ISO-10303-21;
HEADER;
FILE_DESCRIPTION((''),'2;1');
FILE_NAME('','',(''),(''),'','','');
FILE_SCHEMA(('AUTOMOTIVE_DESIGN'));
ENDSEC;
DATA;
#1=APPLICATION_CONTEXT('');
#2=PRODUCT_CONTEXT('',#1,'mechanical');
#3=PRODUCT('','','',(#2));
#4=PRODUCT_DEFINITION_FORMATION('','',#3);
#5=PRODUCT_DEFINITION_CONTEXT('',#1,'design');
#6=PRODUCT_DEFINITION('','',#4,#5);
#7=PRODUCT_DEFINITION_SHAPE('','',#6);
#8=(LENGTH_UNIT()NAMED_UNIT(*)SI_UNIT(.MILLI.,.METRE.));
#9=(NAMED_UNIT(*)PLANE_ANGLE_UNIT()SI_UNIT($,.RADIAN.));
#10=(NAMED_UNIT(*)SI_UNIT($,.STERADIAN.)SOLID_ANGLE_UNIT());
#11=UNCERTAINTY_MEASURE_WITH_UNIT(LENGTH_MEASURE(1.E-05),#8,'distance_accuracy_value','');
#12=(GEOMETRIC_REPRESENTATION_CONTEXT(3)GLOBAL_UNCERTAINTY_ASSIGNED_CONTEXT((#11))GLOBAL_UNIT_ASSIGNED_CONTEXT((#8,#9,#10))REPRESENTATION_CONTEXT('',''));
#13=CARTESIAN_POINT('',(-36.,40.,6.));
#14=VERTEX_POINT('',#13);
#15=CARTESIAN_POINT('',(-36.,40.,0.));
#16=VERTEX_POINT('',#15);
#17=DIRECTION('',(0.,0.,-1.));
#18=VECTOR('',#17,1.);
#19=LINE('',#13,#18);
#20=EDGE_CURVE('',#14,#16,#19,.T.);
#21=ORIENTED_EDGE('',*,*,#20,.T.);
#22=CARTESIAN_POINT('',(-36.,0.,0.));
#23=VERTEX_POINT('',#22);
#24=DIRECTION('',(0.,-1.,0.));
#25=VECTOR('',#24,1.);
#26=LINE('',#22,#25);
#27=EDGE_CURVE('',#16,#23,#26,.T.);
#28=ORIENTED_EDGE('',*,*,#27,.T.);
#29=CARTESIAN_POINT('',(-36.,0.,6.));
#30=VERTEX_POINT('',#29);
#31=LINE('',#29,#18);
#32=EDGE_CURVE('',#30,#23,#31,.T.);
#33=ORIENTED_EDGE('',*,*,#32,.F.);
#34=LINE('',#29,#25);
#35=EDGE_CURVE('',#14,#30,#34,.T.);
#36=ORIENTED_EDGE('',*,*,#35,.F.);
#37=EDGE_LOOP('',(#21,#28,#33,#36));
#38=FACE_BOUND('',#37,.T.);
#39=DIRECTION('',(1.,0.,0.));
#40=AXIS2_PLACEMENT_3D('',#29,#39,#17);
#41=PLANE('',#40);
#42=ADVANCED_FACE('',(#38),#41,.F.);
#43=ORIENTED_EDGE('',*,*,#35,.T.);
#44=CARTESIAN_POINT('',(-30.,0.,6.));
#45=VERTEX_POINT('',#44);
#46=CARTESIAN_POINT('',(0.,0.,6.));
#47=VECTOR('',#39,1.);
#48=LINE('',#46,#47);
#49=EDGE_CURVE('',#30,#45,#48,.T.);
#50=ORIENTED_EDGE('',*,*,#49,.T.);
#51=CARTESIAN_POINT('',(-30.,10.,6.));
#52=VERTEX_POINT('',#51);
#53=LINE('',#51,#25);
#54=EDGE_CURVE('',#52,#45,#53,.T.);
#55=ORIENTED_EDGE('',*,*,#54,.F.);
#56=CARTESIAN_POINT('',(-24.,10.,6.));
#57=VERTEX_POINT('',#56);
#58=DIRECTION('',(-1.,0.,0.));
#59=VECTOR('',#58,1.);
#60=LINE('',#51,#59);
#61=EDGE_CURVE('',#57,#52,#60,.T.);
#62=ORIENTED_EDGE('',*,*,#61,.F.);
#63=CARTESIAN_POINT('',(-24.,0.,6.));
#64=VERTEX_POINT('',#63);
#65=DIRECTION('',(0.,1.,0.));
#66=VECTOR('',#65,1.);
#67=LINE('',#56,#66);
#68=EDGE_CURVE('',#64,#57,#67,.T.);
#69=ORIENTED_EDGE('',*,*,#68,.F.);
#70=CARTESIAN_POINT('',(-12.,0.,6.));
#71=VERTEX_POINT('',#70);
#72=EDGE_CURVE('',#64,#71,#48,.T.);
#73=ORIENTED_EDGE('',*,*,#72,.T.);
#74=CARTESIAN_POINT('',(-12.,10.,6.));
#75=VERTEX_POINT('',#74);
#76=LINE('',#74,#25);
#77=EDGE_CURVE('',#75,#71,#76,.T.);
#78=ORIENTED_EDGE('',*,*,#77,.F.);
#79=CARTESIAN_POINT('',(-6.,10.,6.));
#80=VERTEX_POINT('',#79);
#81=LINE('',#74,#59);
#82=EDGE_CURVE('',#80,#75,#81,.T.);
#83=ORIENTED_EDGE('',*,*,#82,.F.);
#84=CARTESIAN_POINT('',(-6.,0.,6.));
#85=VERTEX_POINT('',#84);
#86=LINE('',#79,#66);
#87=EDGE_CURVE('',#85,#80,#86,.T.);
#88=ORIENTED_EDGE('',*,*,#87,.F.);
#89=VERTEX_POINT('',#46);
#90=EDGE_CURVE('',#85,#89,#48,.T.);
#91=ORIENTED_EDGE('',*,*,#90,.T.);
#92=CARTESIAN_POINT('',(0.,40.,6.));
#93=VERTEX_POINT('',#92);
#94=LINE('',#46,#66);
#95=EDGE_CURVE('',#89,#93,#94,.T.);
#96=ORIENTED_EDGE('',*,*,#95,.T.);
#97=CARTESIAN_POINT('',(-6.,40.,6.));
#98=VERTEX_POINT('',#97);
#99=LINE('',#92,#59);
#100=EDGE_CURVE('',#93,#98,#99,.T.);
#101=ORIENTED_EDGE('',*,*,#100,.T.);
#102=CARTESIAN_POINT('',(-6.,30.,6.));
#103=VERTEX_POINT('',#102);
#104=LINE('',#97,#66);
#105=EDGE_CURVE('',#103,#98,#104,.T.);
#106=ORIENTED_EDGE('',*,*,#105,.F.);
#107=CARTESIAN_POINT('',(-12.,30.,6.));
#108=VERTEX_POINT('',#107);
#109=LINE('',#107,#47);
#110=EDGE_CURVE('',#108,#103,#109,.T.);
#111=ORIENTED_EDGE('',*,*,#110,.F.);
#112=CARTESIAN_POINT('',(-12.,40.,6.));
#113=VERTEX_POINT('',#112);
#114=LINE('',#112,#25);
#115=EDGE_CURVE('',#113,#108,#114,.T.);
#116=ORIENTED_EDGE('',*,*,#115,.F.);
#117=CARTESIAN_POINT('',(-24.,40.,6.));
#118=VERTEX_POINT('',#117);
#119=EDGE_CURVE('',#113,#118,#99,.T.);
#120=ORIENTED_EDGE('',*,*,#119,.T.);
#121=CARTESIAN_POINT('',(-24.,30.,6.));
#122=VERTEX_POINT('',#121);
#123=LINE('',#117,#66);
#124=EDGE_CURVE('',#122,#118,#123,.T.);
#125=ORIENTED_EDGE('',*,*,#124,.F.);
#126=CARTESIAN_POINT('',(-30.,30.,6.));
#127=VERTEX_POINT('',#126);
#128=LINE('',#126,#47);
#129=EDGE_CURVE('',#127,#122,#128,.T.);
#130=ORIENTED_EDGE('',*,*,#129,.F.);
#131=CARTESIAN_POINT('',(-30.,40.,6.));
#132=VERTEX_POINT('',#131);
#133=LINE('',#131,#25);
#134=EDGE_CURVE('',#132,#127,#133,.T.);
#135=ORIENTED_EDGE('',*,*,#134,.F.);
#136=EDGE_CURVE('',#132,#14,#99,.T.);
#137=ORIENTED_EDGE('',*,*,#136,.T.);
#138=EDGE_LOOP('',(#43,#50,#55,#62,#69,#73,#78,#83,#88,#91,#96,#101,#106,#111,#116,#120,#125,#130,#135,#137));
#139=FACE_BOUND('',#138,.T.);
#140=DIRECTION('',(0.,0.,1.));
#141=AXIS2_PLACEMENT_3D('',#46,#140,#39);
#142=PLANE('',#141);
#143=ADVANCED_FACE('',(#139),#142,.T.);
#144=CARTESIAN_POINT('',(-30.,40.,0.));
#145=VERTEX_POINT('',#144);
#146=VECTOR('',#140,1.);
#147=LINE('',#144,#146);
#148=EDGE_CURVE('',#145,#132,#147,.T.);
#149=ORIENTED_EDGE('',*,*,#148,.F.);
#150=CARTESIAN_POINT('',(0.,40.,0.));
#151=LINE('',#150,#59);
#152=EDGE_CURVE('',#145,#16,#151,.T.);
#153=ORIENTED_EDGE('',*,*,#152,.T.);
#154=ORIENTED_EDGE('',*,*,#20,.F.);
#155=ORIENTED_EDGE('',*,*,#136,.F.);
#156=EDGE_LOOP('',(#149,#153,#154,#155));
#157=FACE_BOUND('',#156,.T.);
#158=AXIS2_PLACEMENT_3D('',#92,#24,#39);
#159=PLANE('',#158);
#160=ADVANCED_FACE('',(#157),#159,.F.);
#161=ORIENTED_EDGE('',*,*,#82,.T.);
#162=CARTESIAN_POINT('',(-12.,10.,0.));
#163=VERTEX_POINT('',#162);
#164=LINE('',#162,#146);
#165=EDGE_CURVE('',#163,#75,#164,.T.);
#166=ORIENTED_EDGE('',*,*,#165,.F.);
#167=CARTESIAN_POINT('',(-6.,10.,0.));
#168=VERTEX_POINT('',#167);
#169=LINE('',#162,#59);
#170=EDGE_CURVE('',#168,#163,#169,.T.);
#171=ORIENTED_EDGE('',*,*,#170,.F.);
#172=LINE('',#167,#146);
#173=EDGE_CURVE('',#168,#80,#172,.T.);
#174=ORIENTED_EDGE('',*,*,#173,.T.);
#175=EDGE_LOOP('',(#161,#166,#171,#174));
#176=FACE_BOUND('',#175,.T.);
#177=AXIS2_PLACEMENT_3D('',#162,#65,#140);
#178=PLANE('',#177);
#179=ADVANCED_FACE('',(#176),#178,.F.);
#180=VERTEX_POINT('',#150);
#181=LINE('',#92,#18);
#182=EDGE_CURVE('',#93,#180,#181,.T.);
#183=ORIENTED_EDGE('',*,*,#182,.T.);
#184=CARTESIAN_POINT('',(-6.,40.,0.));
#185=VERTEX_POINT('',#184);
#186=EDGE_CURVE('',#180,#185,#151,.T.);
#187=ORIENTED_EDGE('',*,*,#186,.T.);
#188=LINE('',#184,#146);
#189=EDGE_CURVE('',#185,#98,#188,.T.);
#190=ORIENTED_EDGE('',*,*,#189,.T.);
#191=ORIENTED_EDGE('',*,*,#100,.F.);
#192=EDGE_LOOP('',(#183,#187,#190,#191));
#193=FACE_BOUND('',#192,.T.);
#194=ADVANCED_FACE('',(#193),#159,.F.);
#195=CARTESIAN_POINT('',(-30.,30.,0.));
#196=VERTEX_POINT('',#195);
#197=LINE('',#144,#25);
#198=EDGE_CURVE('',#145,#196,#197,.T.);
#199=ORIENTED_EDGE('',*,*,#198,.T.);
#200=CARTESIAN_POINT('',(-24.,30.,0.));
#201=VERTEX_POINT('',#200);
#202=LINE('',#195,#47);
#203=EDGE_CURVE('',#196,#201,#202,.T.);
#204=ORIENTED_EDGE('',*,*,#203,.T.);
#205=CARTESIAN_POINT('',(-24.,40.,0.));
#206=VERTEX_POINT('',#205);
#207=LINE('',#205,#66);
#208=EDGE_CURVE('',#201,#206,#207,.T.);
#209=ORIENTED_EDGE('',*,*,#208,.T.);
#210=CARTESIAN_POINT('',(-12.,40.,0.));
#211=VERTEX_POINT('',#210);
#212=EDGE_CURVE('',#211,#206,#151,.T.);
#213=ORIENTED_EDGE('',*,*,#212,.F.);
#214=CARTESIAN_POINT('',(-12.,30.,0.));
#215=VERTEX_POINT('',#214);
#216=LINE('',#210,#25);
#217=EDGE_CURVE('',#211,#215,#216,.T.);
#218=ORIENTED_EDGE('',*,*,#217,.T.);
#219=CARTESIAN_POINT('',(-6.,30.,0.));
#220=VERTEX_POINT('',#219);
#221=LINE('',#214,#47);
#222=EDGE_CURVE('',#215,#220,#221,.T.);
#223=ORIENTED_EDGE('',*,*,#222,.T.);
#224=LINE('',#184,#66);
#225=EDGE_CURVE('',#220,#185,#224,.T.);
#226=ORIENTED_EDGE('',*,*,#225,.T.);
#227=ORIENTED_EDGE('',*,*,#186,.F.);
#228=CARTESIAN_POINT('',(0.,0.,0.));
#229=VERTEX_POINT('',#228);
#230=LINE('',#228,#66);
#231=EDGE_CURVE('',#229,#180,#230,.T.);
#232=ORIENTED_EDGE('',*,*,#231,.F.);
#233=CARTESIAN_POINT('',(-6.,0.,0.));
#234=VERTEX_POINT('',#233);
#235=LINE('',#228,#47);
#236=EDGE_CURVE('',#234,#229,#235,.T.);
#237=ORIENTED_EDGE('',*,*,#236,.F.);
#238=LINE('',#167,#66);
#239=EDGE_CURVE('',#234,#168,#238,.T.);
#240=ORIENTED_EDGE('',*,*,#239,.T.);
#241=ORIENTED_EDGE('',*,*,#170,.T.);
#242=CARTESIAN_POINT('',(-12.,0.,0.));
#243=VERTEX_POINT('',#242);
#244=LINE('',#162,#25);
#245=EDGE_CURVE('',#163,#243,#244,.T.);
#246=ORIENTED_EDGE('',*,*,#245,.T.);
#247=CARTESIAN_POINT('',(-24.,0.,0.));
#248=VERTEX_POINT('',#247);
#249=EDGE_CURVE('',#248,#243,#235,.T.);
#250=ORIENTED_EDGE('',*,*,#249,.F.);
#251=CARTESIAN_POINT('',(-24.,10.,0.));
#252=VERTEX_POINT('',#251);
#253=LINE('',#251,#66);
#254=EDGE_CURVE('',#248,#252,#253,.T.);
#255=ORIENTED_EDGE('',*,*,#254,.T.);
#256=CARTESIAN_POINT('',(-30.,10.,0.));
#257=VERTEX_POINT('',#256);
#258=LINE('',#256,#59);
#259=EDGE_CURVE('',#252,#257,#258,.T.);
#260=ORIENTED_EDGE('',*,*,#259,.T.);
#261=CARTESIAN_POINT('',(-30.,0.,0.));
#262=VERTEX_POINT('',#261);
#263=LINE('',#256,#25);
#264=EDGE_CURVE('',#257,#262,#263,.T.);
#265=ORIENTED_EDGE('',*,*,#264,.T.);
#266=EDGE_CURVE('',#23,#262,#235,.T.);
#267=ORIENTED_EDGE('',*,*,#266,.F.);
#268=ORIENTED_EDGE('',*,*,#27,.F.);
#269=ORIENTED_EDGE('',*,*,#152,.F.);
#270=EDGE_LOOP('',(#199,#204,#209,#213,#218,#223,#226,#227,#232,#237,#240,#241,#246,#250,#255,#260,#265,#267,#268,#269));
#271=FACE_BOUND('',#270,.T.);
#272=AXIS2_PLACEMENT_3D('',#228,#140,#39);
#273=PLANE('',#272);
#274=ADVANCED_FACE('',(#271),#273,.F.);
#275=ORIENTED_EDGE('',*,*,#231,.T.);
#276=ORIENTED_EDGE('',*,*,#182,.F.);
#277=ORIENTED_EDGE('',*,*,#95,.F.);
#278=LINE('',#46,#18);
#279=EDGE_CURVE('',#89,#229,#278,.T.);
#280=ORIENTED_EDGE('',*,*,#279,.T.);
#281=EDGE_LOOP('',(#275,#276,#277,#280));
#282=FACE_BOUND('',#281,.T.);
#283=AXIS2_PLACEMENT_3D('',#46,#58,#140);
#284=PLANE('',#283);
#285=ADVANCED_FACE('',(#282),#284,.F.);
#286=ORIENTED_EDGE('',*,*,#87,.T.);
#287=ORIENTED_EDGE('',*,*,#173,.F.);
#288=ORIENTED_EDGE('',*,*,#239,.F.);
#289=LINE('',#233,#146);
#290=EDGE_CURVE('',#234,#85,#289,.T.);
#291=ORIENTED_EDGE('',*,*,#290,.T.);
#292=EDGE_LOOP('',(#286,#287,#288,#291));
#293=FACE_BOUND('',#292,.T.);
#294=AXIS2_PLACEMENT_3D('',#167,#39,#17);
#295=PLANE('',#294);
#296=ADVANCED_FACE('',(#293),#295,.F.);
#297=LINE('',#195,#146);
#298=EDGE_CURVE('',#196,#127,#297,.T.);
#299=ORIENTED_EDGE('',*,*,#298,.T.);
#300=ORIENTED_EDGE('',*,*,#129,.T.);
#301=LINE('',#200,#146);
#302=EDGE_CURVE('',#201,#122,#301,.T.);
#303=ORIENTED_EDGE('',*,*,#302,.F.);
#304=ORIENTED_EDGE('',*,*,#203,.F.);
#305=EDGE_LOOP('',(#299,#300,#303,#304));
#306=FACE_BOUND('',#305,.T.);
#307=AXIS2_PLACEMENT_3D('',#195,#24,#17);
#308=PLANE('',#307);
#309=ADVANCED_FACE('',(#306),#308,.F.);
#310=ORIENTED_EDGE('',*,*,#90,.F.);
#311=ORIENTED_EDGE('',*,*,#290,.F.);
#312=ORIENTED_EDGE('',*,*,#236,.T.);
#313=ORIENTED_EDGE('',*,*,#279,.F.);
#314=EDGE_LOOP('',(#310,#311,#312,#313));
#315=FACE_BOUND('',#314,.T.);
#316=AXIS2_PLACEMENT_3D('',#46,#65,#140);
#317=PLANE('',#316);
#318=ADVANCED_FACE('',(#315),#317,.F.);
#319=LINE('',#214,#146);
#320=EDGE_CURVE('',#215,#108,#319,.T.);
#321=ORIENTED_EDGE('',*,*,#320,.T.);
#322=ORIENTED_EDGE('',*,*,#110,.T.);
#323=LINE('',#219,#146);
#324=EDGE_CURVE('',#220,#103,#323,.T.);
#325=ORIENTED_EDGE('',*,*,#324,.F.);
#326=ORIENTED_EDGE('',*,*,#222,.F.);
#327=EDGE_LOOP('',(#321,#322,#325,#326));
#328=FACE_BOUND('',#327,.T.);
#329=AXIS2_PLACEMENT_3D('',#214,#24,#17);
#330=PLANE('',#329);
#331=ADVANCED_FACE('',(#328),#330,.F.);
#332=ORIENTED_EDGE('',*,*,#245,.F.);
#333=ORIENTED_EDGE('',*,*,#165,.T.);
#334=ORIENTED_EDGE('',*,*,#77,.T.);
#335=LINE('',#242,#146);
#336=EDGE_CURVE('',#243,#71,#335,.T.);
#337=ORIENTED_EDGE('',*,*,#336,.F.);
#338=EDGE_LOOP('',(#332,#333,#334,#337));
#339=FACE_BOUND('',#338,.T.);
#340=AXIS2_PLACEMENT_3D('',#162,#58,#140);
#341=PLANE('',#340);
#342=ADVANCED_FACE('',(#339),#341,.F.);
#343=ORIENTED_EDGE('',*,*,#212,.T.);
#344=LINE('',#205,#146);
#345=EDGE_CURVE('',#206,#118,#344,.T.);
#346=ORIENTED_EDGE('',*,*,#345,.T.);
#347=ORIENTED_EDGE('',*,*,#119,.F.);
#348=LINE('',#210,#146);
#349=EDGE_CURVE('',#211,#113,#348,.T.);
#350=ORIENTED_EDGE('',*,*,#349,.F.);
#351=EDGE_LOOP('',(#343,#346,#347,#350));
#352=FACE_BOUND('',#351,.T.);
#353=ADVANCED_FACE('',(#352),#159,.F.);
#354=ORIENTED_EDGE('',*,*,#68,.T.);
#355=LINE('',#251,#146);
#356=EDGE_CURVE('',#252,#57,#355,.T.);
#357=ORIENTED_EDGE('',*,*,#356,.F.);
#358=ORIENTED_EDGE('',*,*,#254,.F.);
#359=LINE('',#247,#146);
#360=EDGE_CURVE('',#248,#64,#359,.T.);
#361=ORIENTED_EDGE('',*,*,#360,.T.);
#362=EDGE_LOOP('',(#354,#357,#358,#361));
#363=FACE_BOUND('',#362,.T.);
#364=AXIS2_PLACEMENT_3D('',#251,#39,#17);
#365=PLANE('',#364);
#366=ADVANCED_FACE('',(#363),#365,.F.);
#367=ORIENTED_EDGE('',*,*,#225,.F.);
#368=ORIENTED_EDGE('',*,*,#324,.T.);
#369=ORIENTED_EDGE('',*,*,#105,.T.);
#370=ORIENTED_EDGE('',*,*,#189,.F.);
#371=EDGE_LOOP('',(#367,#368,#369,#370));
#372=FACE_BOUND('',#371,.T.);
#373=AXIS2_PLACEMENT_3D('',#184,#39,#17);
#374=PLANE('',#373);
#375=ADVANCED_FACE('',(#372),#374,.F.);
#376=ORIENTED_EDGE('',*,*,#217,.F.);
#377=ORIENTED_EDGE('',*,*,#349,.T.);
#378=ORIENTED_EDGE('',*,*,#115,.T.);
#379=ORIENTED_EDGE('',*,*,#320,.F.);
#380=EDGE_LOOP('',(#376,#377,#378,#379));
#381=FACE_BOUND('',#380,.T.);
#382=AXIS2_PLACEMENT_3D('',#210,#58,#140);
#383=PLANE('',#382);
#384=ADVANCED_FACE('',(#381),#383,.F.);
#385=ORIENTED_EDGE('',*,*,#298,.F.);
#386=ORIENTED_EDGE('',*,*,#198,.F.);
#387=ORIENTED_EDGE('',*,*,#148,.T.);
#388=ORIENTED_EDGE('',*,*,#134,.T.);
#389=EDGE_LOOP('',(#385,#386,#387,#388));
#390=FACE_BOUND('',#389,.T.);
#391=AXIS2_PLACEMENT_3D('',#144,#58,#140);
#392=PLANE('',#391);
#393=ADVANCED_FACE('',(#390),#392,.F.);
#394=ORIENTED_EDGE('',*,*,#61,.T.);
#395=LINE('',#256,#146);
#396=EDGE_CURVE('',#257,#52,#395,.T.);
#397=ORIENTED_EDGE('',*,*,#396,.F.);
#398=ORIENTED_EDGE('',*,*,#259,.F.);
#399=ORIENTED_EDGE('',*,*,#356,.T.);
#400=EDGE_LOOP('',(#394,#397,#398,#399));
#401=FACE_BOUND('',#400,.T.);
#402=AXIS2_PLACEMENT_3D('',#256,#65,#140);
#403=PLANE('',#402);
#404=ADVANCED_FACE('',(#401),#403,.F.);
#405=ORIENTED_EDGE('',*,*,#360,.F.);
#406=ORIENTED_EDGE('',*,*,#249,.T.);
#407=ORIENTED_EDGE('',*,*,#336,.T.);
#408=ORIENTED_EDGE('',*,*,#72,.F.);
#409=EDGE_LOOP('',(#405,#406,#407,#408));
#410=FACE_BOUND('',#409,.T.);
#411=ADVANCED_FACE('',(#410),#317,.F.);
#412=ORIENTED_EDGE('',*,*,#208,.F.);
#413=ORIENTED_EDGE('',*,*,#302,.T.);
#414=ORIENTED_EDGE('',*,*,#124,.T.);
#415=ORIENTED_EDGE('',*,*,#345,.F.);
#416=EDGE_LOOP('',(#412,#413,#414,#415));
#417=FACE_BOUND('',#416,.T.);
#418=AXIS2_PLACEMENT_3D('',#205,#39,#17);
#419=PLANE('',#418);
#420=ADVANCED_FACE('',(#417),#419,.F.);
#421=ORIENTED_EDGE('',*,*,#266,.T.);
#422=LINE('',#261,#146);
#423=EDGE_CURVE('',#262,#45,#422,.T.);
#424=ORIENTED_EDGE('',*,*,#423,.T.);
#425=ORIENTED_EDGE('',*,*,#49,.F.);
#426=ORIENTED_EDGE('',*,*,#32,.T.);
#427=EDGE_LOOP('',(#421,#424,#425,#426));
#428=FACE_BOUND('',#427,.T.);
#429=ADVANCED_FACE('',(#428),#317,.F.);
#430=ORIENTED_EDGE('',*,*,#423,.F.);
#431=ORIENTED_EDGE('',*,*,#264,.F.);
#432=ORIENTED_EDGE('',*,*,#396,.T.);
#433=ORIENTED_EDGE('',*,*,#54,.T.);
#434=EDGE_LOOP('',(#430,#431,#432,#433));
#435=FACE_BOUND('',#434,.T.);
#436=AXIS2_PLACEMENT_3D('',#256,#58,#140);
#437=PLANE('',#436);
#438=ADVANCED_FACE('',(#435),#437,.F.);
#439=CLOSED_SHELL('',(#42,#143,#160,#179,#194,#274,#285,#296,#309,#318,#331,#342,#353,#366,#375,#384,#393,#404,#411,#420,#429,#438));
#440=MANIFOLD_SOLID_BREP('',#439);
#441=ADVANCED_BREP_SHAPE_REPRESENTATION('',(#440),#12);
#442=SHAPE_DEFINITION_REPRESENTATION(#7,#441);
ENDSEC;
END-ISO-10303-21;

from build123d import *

# Parameters (mm, degrees)
SKETCH1_W            = 36
SKETCH1_H            = 40
BOSS_EXTRUDE1_DEPTH  = 6
SKETCH2_W            = 6
SKETCH2_H            = 10
CUT_EXTRUDE1_DEPTH   = 55.147945483
LPATTERN1_COUNT      = 2
LPATTERN1_PITCH      = 18
LPATTERN1_COUNT_DIR2 = 2
LPATTERN1_PITCH_DIR2 = 30


with BuildPart() as part:
    # Sketch1 → Boss-Extrude1 (new body)
    with BuildSketch(Plane.XY):
        with Locations((-18, 20)):
            Rectangle(SKETCH1_W, SKETCH1_H)
    extrude(amount=BOSS_EXTRUDE1_DEPTH)

    # Sketch2 → Cut-Extrude1 (cut, through all)
    with BuildSketch(Plane.XY.offset(6)):
        with Locations((-27, 35)):
            Rectangle(SKETCH2_W, SKETCH2_H)
    cut_extrude1 = extrude(amount=-CUT_EXTRUDE1_DEPTH, mode=Mode.SUBTRACT)

    # LPattern1: Cut-Extrude1 2 × 2
    with Locations(*[(i * LPATTERN1_PITCH, -j * LPATTERN1_PITCH_DIR2, 0) for i in range(LPATTERN1_COUNT) for j in range(LPATTERN1_COUNT_DIR2) if (i, j) != (0, 0)]):
        add(cut_extrude1, mode=Mode.SUBTRACT)


solid = part.part
